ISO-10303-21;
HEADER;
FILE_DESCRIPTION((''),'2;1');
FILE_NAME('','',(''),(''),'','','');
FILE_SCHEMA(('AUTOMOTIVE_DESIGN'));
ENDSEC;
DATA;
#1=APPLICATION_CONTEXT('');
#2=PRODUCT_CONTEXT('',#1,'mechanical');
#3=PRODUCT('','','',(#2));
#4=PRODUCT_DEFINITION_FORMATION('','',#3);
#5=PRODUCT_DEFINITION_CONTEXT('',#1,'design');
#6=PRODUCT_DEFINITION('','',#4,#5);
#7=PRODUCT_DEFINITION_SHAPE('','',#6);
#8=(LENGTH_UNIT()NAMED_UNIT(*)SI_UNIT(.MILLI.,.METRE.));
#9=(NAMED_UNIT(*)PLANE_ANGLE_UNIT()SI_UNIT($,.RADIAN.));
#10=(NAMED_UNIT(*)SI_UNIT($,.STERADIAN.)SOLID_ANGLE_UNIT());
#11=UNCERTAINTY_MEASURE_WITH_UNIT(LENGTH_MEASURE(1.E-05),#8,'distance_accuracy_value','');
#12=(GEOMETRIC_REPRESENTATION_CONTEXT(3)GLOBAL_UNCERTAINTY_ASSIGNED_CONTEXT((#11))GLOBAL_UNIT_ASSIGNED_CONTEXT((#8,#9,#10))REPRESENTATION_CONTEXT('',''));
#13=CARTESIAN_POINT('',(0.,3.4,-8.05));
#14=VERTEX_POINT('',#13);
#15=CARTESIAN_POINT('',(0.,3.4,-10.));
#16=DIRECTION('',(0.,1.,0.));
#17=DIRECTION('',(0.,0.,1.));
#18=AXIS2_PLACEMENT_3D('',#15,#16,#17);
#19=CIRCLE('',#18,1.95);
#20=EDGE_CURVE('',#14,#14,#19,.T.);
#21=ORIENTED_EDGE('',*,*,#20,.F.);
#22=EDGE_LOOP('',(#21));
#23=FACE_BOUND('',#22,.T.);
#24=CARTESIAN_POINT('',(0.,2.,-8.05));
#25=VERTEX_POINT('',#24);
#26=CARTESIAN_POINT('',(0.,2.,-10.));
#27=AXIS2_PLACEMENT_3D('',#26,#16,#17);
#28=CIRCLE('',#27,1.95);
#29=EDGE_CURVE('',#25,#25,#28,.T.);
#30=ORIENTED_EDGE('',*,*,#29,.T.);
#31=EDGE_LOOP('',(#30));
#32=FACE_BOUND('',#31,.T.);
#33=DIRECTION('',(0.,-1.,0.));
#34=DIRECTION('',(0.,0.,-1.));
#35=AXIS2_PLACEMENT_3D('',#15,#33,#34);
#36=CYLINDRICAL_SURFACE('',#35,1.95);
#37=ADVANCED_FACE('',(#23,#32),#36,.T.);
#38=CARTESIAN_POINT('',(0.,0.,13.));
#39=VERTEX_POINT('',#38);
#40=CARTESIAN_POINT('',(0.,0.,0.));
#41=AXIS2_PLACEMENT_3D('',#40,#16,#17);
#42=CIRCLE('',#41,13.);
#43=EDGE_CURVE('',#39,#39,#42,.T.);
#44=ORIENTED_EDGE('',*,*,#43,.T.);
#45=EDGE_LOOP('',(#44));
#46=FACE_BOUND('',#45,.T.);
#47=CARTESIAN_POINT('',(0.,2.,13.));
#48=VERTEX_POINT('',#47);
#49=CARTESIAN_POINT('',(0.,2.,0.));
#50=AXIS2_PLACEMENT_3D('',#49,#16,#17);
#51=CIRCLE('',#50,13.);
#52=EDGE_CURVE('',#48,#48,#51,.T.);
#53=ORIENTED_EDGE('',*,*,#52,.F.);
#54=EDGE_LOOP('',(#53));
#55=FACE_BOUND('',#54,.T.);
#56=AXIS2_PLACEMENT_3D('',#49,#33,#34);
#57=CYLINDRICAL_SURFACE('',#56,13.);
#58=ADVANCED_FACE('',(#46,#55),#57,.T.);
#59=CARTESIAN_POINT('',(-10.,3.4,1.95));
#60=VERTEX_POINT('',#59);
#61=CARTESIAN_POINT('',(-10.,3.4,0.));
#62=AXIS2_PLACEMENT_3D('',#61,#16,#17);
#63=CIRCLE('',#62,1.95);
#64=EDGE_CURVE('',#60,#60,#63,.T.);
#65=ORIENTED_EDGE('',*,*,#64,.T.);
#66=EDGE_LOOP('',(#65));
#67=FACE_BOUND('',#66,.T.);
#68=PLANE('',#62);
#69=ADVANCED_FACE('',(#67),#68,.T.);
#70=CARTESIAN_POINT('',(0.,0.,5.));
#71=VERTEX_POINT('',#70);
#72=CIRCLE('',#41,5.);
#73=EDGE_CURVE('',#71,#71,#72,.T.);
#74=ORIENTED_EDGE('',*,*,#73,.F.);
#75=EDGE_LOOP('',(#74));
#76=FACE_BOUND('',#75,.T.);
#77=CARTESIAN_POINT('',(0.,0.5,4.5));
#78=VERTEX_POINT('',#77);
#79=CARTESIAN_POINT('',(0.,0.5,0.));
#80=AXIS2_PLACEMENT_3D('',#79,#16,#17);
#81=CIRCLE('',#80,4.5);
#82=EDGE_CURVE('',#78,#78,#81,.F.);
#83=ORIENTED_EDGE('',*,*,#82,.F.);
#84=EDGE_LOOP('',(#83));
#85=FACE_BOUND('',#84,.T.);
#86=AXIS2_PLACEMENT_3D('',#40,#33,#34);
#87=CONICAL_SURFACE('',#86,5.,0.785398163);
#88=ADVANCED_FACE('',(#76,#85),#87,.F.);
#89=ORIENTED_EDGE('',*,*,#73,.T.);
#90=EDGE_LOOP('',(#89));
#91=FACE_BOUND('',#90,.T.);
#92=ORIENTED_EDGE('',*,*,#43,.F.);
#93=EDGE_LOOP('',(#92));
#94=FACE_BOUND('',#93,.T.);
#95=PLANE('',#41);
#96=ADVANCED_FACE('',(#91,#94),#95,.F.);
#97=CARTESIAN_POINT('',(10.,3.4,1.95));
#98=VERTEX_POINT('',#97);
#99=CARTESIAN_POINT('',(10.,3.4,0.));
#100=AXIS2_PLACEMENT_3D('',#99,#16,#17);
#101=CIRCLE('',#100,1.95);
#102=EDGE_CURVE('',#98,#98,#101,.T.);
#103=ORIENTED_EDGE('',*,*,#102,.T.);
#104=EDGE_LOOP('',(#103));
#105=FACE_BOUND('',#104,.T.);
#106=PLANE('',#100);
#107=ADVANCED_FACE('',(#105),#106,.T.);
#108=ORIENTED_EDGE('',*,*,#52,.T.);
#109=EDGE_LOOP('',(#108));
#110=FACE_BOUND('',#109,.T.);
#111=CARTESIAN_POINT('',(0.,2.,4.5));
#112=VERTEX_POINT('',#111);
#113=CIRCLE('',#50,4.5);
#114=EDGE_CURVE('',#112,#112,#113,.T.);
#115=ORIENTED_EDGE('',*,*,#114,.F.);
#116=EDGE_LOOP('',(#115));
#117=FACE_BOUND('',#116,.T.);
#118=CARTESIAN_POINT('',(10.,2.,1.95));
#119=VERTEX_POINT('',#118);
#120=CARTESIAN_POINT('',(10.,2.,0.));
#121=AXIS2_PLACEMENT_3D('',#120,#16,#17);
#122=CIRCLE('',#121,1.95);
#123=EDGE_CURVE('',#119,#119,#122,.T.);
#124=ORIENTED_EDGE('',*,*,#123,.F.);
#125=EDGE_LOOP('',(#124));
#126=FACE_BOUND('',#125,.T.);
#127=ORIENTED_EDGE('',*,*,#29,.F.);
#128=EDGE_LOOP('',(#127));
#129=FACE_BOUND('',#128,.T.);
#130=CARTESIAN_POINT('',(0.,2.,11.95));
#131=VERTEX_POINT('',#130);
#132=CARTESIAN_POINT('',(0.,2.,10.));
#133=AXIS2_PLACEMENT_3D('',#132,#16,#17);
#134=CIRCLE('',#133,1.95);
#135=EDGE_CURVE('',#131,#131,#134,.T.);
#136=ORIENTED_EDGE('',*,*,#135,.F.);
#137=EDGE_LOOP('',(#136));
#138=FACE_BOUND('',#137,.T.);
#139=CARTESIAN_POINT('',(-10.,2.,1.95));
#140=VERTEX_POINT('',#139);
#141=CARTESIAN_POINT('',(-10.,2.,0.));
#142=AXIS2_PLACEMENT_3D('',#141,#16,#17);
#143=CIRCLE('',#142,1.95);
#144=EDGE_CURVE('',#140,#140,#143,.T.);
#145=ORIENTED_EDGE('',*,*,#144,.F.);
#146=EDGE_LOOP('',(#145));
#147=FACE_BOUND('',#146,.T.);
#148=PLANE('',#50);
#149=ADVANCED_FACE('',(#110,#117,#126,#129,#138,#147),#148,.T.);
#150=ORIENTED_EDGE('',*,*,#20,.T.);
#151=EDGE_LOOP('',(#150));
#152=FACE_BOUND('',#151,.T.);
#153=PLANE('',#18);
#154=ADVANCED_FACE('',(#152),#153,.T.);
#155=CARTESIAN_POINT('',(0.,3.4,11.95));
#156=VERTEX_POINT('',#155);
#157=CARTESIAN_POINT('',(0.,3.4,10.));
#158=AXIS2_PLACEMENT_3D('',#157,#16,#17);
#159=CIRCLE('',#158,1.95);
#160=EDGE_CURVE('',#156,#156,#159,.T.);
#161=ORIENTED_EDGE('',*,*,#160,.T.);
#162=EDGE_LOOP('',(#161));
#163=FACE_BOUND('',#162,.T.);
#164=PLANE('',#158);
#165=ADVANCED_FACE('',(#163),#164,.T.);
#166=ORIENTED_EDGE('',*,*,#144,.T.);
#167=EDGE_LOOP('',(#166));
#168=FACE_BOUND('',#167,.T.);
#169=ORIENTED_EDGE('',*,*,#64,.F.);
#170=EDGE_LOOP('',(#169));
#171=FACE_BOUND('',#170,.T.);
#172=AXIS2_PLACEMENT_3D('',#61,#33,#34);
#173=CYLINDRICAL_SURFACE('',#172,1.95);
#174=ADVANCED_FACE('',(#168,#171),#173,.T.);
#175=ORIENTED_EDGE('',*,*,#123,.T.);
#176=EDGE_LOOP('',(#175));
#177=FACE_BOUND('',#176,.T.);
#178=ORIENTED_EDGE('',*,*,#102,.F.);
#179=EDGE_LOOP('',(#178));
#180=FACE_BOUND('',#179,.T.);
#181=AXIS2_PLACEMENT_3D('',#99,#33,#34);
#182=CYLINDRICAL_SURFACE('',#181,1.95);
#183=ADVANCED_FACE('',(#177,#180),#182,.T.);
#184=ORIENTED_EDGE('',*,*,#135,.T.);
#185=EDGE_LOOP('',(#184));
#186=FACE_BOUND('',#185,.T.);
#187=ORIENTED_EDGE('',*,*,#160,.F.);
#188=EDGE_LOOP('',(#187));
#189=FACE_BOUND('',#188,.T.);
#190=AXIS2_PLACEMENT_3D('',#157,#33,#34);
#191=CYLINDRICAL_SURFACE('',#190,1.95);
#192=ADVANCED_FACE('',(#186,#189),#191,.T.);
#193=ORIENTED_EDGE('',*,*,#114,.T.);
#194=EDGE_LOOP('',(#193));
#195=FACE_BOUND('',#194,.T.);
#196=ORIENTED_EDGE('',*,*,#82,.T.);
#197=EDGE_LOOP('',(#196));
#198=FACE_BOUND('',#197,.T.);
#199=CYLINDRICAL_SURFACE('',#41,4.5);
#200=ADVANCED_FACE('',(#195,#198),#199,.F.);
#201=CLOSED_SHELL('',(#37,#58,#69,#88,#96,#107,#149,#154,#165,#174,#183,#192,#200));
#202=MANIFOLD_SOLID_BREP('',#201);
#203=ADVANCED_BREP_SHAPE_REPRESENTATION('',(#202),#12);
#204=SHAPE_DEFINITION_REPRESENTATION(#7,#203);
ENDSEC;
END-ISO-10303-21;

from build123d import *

# Parameters (mm, degrees)
SKETCH1_R           = 13
BOSS_EXTRUDE1_DEPTH = 2
SKETCH2_R           = 4.5
CUT_EXTRUDE1_DEPTH  = 19.493242009
SKETCH3_R           = 1.95
BOSS_EXTRUDE2_DEPTH = 1.4
CHAMFER1_SIZE       = 0.5


with BuildPart() as part:
    # Sketch1 → Boss-Extrude1 (new body)
    with BuildSketch(Plane(origin=(0, 0, 0), x_dir=(1, 0, 0), z_dir=(0, 1, 0))):
        with Locations(Location((0, 0, 0), (0, 0, 270))):
            Circle(SKETCH1_R)
    extrude(amount=BOSS_EXTRUDE1_DEPTH)

    # Sketch2 → Cut-Extrude1 (cut, through all)
    with BuildSketch(Plane(origin=(0, 2, 0), x_dir=(1, 0, 0), z_dir=(0, 1, 0))):
        with Locations(Location((0, 0, 0), (0, 0, 270))):
            Circle(SKETCH2_R)
    extrude(amount=-CUT_EXTRUDE1_DEPTH, mode=Mode.SUBTRACT)

    # Sketch3 → Boss-Extrude2 (add)
    with BuildSketch(Plane(origin=(0, 2, 0), x_dir=(1, 0, 0), z_dir=(0, 1, 0))):
        with Locations(Location((0, 10, 0), (0, 0, 270))):
            Circle(SKETCH3_R)
        with Locations(Location((10, 0, 0), (0, 0, 270))):
            Circle(SKETCH3_R)
        with Locations(Location((-10, 0, 0), (0, 0, 270))):
            Circle(SKETCH3_R)
        with Locations(Location((0, -10, 0), (0, 0, 270))):
            Circle(SKETCH3_R)
    extrude(amount=BOSS_EXTRUDE2_DEPTH)

    # Chamfer1
    chamfer1_edges = [part.edges().sort_by_distance(p)[0] for p in [
        (0, 0, -4.5),
    ]]
    chamfer(chamfer1_edges, length=CHAMFER1_SIZE)


solid = part.part
